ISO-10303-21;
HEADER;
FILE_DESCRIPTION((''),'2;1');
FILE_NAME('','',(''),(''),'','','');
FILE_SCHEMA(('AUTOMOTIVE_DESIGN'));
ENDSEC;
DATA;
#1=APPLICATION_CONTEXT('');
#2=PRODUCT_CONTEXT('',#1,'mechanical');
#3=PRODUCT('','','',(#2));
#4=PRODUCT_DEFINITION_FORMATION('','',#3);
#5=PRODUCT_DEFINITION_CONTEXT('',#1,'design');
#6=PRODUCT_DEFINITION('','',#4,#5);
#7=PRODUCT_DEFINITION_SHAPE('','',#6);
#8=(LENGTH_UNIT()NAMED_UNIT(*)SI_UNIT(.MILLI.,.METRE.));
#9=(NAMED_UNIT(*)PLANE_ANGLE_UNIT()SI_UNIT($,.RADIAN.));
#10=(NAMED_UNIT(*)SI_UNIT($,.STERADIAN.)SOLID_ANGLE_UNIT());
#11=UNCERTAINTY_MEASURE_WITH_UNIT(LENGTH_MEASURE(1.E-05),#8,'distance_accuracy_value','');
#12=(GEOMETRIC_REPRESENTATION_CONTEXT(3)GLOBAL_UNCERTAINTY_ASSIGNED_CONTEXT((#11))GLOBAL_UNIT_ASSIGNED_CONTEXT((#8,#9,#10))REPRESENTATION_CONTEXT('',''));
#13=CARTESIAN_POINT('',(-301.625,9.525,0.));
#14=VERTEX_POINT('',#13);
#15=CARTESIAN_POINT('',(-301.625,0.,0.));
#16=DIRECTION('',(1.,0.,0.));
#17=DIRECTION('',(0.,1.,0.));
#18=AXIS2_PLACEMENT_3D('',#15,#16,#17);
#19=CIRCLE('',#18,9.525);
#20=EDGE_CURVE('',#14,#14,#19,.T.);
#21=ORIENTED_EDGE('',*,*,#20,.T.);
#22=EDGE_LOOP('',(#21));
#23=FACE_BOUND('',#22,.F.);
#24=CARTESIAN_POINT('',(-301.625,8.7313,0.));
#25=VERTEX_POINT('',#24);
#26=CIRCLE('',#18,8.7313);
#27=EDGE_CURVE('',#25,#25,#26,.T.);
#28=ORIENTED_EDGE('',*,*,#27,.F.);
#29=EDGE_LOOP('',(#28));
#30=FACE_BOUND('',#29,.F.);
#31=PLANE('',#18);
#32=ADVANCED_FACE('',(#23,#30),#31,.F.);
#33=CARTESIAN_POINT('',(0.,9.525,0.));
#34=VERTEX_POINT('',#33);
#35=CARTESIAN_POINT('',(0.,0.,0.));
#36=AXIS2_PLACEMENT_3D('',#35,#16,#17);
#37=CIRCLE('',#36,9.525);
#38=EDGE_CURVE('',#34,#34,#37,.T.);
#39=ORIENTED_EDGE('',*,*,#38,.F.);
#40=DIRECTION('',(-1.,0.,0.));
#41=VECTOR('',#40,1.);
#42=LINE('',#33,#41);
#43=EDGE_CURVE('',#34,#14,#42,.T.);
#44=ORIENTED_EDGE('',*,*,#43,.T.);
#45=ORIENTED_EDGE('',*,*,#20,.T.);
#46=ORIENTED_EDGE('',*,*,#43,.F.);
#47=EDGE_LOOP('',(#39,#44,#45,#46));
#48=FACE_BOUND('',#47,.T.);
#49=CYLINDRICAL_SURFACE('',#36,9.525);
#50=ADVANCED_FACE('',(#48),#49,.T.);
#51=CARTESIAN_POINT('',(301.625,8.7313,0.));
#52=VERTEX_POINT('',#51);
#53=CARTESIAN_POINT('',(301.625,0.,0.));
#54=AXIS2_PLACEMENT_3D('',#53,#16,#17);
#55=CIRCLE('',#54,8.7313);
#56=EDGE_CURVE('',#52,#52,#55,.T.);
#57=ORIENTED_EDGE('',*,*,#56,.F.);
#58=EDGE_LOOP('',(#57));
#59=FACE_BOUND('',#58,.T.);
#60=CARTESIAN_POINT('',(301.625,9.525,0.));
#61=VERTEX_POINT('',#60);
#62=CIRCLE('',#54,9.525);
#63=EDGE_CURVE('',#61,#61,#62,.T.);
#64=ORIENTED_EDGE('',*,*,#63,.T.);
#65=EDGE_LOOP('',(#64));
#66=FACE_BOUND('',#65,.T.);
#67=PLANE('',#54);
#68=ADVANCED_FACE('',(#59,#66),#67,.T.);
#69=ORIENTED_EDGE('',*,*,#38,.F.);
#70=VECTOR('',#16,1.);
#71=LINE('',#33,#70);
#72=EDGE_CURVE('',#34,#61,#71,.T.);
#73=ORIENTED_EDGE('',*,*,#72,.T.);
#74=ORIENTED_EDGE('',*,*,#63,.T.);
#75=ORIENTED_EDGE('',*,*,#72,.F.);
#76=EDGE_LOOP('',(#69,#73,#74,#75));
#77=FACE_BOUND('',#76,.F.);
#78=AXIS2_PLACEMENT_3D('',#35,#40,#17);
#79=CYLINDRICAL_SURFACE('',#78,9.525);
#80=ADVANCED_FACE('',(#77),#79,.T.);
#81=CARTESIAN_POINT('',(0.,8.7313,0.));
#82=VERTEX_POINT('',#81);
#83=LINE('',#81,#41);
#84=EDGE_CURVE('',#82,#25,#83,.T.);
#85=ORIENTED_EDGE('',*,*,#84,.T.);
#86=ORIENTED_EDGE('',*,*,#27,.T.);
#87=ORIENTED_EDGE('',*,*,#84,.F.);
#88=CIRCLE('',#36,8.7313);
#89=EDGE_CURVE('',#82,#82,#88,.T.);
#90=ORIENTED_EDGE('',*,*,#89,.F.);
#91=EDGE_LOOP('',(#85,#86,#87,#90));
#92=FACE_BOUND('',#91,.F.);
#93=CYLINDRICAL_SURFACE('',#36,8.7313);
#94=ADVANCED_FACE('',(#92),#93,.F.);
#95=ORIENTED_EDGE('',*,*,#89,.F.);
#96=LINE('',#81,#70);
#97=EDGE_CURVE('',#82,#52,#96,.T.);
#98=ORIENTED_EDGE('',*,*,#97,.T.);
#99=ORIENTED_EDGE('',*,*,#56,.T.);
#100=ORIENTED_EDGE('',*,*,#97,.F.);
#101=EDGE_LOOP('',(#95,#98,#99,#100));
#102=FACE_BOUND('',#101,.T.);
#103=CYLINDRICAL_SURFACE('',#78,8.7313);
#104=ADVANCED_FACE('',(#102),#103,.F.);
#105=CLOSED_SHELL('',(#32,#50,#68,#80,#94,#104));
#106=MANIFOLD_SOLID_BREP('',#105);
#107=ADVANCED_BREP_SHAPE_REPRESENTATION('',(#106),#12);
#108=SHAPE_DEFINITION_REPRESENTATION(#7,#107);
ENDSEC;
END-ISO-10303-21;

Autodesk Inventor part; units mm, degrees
ref_plane "YZ Plane" through (0, 0, 0) normal (1, 0, 0) x (0, 1, 0)
ref_plane "XZ Plane" through (0, 0, 0) normal (0, 1, 0) x (-1, 0, 0)
ref_plane "XY Plane" through (0, 0, 0) normal (0, 0, 1) x (1, 0, 0)
sketch "Sketch1" plane through (0, 0, 0) normal (1, 0, 0) x (0, 1, 0)
  circle A0 centre (0, 0) radius 9.525
  circle A1 centre (0, 0) radius 8.7313
  dimension "d0" = 19.05
  dimension "d4" = 0.7937
extrude "Extrusion1" add sketch "Sketch1" along normal mid plane 603.25
properties part number "Front Idler roller"
